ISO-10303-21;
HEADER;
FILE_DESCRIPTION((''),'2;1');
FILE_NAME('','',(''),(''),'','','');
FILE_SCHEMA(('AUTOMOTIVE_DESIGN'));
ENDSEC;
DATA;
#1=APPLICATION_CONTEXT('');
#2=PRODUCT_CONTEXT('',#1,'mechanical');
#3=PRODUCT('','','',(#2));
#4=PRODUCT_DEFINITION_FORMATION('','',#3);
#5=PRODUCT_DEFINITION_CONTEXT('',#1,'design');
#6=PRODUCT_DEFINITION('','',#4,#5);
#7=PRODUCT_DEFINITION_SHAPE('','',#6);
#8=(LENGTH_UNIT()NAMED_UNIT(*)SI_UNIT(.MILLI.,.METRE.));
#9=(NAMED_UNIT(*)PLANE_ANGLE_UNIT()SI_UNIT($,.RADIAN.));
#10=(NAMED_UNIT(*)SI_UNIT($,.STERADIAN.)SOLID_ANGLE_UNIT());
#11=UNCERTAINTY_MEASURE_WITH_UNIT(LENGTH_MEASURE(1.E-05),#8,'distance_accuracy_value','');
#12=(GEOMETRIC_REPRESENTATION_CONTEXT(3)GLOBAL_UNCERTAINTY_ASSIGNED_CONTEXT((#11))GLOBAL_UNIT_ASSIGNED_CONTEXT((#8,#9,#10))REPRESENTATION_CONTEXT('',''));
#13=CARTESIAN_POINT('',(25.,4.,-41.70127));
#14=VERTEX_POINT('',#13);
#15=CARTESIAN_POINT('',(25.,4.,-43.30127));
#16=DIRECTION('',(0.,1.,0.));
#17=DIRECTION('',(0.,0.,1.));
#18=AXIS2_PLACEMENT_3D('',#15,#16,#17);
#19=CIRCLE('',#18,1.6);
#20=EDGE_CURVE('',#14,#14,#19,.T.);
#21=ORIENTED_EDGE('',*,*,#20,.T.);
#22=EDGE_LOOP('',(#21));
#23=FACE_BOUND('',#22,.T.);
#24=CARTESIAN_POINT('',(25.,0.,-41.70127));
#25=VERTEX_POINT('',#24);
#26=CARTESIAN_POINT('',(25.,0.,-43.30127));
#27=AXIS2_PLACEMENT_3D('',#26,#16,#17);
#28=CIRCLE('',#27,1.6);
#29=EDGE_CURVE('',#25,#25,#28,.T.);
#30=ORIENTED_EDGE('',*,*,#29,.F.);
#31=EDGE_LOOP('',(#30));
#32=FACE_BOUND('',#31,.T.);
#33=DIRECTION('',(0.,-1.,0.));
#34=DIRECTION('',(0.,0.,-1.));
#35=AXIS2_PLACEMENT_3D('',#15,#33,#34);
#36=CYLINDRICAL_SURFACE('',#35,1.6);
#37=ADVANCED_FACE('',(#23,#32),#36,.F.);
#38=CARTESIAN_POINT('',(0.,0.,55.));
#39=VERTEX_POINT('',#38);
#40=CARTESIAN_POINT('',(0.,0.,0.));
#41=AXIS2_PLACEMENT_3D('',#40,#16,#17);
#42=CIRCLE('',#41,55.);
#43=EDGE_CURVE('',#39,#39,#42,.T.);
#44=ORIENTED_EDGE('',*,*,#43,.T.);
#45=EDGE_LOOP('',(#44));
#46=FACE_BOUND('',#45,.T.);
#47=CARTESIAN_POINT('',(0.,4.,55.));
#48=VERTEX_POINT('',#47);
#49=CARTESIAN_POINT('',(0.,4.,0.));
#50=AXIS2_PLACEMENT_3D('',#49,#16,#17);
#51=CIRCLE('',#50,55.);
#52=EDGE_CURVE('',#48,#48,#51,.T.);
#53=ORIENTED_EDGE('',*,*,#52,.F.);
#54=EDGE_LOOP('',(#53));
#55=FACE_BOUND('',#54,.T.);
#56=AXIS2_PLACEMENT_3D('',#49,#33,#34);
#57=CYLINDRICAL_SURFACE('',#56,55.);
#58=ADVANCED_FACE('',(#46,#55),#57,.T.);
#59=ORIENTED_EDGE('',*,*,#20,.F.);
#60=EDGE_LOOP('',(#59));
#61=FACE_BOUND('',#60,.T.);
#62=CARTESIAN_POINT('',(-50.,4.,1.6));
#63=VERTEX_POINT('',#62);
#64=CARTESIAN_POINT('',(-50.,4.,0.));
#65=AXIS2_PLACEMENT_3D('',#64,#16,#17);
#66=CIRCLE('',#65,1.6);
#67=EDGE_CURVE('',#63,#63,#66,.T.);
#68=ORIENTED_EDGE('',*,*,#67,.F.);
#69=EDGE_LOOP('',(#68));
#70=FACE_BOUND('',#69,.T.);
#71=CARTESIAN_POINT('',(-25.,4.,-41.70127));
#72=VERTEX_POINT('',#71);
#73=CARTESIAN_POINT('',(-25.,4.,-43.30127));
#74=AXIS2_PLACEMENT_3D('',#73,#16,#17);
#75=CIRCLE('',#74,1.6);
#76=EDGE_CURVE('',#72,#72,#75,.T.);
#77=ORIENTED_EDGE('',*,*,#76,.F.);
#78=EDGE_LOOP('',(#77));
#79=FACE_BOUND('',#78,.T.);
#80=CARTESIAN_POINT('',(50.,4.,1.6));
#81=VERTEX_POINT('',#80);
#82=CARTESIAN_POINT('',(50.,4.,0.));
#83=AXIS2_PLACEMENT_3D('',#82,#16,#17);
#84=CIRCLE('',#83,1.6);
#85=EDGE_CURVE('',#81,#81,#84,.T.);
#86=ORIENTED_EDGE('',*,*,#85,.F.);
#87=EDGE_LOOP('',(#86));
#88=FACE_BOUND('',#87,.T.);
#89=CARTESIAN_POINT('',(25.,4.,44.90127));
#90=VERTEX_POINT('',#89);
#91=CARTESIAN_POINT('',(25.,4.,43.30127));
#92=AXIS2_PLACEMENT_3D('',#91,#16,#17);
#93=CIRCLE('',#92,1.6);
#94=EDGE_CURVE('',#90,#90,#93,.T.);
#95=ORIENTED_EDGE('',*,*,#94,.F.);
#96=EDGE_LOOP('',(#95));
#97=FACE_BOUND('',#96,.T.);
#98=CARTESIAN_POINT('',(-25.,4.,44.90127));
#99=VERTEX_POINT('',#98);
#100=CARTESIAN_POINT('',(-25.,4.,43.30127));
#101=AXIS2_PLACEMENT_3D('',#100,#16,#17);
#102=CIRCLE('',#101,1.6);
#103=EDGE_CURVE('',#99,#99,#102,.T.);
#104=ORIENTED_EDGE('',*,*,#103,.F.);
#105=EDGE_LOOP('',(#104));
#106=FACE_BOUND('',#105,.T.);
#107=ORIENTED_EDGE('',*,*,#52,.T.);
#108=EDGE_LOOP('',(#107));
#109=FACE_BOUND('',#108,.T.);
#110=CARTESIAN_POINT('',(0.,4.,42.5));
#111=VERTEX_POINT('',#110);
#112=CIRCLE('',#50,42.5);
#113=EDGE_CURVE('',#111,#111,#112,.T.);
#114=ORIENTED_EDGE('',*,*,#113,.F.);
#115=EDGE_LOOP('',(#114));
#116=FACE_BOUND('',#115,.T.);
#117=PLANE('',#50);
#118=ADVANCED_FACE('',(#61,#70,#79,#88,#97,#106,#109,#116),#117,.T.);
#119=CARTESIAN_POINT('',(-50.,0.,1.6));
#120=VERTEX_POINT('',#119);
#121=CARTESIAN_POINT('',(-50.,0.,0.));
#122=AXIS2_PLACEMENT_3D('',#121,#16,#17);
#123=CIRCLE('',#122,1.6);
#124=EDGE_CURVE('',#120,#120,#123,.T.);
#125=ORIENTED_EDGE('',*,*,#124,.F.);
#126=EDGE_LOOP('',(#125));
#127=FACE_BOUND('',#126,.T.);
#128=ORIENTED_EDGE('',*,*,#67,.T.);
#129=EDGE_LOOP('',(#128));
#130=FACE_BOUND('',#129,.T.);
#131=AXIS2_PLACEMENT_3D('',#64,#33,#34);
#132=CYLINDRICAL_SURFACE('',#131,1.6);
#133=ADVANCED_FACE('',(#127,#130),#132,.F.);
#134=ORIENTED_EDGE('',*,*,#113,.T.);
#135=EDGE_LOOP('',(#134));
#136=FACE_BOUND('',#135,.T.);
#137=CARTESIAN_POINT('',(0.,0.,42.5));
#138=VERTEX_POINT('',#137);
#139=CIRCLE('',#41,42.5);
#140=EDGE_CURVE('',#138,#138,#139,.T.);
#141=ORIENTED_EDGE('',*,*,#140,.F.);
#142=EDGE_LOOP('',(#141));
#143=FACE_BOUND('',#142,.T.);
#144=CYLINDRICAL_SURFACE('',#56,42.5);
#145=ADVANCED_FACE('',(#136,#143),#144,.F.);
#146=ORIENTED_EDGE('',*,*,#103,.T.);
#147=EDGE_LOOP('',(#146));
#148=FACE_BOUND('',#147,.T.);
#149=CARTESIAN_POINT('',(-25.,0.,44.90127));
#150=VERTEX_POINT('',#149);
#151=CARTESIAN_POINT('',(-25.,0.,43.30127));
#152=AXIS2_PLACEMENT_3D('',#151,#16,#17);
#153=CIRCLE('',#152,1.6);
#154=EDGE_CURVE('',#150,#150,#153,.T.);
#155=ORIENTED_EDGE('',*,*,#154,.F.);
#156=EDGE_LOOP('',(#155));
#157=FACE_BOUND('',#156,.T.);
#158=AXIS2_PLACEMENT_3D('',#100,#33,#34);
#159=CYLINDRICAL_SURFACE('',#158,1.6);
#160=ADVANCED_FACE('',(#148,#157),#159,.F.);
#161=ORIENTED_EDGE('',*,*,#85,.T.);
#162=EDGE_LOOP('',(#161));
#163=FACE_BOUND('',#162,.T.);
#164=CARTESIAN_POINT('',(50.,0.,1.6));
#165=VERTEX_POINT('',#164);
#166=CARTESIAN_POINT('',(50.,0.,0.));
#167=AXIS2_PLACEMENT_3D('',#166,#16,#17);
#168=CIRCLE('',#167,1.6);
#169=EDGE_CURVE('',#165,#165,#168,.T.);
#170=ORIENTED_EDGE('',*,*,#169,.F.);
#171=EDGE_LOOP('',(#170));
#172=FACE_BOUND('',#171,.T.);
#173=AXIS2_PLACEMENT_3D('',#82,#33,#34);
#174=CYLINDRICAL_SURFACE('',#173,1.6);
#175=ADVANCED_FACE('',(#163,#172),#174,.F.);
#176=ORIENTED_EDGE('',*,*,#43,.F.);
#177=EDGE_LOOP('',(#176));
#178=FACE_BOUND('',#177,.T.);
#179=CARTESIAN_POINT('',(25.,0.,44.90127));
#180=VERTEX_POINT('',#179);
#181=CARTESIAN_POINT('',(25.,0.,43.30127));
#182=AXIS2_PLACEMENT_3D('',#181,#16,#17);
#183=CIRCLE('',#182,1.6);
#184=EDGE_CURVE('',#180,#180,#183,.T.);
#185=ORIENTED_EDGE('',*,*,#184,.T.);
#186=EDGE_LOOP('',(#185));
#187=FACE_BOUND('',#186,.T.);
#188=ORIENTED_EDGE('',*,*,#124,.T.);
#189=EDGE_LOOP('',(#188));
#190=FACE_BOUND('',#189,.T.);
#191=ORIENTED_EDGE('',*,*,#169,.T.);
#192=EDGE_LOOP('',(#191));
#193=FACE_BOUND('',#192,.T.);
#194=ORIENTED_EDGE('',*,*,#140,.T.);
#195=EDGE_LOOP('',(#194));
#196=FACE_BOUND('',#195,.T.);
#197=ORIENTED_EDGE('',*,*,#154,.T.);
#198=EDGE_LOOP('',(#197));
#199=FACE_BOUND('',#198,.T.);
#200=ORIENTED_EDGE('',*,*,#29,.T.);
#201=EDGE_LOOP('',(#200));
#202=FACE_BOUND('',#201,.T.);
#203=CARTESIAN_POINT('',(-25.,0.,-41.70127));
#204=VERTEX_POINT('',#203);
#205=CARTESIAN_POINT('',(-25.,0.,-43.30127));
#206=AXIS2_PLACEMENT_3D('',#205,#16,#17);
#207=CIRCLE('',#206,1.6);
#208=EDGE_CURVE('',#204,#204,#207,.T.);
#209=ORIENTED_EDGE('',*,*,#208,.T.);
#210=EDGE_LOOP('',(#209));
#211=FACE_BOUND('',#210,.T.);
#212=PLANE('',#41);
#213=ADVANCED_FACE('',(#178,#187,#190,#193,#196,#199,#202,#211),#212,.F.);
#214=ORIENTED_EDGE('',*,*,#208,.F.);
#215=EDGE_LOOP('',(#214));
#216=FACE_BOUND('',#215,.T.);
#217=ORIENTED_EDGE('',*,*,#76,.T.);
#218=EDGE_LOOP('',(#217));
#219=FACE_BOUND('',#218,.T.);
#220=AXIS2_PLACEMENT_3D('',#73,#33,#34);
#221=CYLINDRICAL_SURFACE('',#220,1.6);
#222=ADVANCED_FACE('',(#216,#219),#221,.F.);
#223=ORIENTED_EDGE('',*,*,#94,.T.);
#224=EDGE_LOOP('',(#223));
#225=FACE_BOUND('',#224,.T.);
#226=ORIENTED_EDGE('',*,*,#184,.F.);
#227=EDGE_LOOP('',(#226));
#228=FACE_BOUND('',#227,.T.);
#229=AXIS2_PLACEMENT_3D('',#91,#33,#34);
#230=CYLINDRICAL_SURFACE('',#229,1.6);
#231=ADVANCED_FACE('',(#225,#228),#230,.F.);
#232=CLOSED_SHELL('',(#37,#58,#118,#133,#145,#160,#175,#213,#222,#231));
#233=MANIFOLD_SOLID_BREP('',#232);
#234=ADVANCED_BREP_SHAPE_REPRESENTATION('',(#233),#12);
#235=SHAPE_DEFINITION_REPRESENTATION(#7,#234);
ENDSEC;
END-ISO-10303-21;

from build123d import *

# Parameters (mm, degrees)
SKETCH_1_R      = 55
SKETCH_1_R_2    = 1.6
SKETCH_1_R_3    = 42.5
EXTRUDE_1_DEPTH = 4


with BuildPart() as part:
    # 草图1 → 凸台-拉伸1 (new body)
    with BuildSketch(Plane(origin=(0, 0, 0), x_dir=(1, 0, 0), z_dir=(0, 1, 0))):
        with Locations(Location((0, 0, 0), (0, 0, 270))):
            Circle(SKETCH_1_R)
        with Locations(Location((25, 43.301270189, 0), (0, 0, 270))):
            Circle(SKETCH_1_R_2, mode=Mode.SUBTRACT)
        with Locations(Location((50, 0, 0), (0, 0, 270))):
            Circle(SKETCH_1_R_2, mode=Mode.SUBTRACT)
        with Locations(Location((25, -43.301270189, 0), (0, 0, 270))):
            Circle(SKETCH_1_R_2, mode=Mode.SUBTRACT)
        with Locations(Location((-25, -43.301270189, 0), (0, 0, 270))):
            Circle(SKETCH_1_R_2, mode=Mode.SUBTRACT)
        with Locations(Location((-50, 0, 0), (0, 0, 270))):
            Circle(SKETCH_1_R_2, mode=Mode.SUBTRACT)
        with Locations(Location((-25, 43.301270189, 0), (0, 0, 270))):
            Circle(SKETCH_1_R_2, mode=Mode.SUBTRACT)
        with Locations(Location((0, 0, 0), (0, 0, 270))):
            Circle(SKETCH_1_R_3, mode=Mode.SUBTRACT)
    extrude(amount=EXTRUDE_1_DEPTH)


solid = part.part
